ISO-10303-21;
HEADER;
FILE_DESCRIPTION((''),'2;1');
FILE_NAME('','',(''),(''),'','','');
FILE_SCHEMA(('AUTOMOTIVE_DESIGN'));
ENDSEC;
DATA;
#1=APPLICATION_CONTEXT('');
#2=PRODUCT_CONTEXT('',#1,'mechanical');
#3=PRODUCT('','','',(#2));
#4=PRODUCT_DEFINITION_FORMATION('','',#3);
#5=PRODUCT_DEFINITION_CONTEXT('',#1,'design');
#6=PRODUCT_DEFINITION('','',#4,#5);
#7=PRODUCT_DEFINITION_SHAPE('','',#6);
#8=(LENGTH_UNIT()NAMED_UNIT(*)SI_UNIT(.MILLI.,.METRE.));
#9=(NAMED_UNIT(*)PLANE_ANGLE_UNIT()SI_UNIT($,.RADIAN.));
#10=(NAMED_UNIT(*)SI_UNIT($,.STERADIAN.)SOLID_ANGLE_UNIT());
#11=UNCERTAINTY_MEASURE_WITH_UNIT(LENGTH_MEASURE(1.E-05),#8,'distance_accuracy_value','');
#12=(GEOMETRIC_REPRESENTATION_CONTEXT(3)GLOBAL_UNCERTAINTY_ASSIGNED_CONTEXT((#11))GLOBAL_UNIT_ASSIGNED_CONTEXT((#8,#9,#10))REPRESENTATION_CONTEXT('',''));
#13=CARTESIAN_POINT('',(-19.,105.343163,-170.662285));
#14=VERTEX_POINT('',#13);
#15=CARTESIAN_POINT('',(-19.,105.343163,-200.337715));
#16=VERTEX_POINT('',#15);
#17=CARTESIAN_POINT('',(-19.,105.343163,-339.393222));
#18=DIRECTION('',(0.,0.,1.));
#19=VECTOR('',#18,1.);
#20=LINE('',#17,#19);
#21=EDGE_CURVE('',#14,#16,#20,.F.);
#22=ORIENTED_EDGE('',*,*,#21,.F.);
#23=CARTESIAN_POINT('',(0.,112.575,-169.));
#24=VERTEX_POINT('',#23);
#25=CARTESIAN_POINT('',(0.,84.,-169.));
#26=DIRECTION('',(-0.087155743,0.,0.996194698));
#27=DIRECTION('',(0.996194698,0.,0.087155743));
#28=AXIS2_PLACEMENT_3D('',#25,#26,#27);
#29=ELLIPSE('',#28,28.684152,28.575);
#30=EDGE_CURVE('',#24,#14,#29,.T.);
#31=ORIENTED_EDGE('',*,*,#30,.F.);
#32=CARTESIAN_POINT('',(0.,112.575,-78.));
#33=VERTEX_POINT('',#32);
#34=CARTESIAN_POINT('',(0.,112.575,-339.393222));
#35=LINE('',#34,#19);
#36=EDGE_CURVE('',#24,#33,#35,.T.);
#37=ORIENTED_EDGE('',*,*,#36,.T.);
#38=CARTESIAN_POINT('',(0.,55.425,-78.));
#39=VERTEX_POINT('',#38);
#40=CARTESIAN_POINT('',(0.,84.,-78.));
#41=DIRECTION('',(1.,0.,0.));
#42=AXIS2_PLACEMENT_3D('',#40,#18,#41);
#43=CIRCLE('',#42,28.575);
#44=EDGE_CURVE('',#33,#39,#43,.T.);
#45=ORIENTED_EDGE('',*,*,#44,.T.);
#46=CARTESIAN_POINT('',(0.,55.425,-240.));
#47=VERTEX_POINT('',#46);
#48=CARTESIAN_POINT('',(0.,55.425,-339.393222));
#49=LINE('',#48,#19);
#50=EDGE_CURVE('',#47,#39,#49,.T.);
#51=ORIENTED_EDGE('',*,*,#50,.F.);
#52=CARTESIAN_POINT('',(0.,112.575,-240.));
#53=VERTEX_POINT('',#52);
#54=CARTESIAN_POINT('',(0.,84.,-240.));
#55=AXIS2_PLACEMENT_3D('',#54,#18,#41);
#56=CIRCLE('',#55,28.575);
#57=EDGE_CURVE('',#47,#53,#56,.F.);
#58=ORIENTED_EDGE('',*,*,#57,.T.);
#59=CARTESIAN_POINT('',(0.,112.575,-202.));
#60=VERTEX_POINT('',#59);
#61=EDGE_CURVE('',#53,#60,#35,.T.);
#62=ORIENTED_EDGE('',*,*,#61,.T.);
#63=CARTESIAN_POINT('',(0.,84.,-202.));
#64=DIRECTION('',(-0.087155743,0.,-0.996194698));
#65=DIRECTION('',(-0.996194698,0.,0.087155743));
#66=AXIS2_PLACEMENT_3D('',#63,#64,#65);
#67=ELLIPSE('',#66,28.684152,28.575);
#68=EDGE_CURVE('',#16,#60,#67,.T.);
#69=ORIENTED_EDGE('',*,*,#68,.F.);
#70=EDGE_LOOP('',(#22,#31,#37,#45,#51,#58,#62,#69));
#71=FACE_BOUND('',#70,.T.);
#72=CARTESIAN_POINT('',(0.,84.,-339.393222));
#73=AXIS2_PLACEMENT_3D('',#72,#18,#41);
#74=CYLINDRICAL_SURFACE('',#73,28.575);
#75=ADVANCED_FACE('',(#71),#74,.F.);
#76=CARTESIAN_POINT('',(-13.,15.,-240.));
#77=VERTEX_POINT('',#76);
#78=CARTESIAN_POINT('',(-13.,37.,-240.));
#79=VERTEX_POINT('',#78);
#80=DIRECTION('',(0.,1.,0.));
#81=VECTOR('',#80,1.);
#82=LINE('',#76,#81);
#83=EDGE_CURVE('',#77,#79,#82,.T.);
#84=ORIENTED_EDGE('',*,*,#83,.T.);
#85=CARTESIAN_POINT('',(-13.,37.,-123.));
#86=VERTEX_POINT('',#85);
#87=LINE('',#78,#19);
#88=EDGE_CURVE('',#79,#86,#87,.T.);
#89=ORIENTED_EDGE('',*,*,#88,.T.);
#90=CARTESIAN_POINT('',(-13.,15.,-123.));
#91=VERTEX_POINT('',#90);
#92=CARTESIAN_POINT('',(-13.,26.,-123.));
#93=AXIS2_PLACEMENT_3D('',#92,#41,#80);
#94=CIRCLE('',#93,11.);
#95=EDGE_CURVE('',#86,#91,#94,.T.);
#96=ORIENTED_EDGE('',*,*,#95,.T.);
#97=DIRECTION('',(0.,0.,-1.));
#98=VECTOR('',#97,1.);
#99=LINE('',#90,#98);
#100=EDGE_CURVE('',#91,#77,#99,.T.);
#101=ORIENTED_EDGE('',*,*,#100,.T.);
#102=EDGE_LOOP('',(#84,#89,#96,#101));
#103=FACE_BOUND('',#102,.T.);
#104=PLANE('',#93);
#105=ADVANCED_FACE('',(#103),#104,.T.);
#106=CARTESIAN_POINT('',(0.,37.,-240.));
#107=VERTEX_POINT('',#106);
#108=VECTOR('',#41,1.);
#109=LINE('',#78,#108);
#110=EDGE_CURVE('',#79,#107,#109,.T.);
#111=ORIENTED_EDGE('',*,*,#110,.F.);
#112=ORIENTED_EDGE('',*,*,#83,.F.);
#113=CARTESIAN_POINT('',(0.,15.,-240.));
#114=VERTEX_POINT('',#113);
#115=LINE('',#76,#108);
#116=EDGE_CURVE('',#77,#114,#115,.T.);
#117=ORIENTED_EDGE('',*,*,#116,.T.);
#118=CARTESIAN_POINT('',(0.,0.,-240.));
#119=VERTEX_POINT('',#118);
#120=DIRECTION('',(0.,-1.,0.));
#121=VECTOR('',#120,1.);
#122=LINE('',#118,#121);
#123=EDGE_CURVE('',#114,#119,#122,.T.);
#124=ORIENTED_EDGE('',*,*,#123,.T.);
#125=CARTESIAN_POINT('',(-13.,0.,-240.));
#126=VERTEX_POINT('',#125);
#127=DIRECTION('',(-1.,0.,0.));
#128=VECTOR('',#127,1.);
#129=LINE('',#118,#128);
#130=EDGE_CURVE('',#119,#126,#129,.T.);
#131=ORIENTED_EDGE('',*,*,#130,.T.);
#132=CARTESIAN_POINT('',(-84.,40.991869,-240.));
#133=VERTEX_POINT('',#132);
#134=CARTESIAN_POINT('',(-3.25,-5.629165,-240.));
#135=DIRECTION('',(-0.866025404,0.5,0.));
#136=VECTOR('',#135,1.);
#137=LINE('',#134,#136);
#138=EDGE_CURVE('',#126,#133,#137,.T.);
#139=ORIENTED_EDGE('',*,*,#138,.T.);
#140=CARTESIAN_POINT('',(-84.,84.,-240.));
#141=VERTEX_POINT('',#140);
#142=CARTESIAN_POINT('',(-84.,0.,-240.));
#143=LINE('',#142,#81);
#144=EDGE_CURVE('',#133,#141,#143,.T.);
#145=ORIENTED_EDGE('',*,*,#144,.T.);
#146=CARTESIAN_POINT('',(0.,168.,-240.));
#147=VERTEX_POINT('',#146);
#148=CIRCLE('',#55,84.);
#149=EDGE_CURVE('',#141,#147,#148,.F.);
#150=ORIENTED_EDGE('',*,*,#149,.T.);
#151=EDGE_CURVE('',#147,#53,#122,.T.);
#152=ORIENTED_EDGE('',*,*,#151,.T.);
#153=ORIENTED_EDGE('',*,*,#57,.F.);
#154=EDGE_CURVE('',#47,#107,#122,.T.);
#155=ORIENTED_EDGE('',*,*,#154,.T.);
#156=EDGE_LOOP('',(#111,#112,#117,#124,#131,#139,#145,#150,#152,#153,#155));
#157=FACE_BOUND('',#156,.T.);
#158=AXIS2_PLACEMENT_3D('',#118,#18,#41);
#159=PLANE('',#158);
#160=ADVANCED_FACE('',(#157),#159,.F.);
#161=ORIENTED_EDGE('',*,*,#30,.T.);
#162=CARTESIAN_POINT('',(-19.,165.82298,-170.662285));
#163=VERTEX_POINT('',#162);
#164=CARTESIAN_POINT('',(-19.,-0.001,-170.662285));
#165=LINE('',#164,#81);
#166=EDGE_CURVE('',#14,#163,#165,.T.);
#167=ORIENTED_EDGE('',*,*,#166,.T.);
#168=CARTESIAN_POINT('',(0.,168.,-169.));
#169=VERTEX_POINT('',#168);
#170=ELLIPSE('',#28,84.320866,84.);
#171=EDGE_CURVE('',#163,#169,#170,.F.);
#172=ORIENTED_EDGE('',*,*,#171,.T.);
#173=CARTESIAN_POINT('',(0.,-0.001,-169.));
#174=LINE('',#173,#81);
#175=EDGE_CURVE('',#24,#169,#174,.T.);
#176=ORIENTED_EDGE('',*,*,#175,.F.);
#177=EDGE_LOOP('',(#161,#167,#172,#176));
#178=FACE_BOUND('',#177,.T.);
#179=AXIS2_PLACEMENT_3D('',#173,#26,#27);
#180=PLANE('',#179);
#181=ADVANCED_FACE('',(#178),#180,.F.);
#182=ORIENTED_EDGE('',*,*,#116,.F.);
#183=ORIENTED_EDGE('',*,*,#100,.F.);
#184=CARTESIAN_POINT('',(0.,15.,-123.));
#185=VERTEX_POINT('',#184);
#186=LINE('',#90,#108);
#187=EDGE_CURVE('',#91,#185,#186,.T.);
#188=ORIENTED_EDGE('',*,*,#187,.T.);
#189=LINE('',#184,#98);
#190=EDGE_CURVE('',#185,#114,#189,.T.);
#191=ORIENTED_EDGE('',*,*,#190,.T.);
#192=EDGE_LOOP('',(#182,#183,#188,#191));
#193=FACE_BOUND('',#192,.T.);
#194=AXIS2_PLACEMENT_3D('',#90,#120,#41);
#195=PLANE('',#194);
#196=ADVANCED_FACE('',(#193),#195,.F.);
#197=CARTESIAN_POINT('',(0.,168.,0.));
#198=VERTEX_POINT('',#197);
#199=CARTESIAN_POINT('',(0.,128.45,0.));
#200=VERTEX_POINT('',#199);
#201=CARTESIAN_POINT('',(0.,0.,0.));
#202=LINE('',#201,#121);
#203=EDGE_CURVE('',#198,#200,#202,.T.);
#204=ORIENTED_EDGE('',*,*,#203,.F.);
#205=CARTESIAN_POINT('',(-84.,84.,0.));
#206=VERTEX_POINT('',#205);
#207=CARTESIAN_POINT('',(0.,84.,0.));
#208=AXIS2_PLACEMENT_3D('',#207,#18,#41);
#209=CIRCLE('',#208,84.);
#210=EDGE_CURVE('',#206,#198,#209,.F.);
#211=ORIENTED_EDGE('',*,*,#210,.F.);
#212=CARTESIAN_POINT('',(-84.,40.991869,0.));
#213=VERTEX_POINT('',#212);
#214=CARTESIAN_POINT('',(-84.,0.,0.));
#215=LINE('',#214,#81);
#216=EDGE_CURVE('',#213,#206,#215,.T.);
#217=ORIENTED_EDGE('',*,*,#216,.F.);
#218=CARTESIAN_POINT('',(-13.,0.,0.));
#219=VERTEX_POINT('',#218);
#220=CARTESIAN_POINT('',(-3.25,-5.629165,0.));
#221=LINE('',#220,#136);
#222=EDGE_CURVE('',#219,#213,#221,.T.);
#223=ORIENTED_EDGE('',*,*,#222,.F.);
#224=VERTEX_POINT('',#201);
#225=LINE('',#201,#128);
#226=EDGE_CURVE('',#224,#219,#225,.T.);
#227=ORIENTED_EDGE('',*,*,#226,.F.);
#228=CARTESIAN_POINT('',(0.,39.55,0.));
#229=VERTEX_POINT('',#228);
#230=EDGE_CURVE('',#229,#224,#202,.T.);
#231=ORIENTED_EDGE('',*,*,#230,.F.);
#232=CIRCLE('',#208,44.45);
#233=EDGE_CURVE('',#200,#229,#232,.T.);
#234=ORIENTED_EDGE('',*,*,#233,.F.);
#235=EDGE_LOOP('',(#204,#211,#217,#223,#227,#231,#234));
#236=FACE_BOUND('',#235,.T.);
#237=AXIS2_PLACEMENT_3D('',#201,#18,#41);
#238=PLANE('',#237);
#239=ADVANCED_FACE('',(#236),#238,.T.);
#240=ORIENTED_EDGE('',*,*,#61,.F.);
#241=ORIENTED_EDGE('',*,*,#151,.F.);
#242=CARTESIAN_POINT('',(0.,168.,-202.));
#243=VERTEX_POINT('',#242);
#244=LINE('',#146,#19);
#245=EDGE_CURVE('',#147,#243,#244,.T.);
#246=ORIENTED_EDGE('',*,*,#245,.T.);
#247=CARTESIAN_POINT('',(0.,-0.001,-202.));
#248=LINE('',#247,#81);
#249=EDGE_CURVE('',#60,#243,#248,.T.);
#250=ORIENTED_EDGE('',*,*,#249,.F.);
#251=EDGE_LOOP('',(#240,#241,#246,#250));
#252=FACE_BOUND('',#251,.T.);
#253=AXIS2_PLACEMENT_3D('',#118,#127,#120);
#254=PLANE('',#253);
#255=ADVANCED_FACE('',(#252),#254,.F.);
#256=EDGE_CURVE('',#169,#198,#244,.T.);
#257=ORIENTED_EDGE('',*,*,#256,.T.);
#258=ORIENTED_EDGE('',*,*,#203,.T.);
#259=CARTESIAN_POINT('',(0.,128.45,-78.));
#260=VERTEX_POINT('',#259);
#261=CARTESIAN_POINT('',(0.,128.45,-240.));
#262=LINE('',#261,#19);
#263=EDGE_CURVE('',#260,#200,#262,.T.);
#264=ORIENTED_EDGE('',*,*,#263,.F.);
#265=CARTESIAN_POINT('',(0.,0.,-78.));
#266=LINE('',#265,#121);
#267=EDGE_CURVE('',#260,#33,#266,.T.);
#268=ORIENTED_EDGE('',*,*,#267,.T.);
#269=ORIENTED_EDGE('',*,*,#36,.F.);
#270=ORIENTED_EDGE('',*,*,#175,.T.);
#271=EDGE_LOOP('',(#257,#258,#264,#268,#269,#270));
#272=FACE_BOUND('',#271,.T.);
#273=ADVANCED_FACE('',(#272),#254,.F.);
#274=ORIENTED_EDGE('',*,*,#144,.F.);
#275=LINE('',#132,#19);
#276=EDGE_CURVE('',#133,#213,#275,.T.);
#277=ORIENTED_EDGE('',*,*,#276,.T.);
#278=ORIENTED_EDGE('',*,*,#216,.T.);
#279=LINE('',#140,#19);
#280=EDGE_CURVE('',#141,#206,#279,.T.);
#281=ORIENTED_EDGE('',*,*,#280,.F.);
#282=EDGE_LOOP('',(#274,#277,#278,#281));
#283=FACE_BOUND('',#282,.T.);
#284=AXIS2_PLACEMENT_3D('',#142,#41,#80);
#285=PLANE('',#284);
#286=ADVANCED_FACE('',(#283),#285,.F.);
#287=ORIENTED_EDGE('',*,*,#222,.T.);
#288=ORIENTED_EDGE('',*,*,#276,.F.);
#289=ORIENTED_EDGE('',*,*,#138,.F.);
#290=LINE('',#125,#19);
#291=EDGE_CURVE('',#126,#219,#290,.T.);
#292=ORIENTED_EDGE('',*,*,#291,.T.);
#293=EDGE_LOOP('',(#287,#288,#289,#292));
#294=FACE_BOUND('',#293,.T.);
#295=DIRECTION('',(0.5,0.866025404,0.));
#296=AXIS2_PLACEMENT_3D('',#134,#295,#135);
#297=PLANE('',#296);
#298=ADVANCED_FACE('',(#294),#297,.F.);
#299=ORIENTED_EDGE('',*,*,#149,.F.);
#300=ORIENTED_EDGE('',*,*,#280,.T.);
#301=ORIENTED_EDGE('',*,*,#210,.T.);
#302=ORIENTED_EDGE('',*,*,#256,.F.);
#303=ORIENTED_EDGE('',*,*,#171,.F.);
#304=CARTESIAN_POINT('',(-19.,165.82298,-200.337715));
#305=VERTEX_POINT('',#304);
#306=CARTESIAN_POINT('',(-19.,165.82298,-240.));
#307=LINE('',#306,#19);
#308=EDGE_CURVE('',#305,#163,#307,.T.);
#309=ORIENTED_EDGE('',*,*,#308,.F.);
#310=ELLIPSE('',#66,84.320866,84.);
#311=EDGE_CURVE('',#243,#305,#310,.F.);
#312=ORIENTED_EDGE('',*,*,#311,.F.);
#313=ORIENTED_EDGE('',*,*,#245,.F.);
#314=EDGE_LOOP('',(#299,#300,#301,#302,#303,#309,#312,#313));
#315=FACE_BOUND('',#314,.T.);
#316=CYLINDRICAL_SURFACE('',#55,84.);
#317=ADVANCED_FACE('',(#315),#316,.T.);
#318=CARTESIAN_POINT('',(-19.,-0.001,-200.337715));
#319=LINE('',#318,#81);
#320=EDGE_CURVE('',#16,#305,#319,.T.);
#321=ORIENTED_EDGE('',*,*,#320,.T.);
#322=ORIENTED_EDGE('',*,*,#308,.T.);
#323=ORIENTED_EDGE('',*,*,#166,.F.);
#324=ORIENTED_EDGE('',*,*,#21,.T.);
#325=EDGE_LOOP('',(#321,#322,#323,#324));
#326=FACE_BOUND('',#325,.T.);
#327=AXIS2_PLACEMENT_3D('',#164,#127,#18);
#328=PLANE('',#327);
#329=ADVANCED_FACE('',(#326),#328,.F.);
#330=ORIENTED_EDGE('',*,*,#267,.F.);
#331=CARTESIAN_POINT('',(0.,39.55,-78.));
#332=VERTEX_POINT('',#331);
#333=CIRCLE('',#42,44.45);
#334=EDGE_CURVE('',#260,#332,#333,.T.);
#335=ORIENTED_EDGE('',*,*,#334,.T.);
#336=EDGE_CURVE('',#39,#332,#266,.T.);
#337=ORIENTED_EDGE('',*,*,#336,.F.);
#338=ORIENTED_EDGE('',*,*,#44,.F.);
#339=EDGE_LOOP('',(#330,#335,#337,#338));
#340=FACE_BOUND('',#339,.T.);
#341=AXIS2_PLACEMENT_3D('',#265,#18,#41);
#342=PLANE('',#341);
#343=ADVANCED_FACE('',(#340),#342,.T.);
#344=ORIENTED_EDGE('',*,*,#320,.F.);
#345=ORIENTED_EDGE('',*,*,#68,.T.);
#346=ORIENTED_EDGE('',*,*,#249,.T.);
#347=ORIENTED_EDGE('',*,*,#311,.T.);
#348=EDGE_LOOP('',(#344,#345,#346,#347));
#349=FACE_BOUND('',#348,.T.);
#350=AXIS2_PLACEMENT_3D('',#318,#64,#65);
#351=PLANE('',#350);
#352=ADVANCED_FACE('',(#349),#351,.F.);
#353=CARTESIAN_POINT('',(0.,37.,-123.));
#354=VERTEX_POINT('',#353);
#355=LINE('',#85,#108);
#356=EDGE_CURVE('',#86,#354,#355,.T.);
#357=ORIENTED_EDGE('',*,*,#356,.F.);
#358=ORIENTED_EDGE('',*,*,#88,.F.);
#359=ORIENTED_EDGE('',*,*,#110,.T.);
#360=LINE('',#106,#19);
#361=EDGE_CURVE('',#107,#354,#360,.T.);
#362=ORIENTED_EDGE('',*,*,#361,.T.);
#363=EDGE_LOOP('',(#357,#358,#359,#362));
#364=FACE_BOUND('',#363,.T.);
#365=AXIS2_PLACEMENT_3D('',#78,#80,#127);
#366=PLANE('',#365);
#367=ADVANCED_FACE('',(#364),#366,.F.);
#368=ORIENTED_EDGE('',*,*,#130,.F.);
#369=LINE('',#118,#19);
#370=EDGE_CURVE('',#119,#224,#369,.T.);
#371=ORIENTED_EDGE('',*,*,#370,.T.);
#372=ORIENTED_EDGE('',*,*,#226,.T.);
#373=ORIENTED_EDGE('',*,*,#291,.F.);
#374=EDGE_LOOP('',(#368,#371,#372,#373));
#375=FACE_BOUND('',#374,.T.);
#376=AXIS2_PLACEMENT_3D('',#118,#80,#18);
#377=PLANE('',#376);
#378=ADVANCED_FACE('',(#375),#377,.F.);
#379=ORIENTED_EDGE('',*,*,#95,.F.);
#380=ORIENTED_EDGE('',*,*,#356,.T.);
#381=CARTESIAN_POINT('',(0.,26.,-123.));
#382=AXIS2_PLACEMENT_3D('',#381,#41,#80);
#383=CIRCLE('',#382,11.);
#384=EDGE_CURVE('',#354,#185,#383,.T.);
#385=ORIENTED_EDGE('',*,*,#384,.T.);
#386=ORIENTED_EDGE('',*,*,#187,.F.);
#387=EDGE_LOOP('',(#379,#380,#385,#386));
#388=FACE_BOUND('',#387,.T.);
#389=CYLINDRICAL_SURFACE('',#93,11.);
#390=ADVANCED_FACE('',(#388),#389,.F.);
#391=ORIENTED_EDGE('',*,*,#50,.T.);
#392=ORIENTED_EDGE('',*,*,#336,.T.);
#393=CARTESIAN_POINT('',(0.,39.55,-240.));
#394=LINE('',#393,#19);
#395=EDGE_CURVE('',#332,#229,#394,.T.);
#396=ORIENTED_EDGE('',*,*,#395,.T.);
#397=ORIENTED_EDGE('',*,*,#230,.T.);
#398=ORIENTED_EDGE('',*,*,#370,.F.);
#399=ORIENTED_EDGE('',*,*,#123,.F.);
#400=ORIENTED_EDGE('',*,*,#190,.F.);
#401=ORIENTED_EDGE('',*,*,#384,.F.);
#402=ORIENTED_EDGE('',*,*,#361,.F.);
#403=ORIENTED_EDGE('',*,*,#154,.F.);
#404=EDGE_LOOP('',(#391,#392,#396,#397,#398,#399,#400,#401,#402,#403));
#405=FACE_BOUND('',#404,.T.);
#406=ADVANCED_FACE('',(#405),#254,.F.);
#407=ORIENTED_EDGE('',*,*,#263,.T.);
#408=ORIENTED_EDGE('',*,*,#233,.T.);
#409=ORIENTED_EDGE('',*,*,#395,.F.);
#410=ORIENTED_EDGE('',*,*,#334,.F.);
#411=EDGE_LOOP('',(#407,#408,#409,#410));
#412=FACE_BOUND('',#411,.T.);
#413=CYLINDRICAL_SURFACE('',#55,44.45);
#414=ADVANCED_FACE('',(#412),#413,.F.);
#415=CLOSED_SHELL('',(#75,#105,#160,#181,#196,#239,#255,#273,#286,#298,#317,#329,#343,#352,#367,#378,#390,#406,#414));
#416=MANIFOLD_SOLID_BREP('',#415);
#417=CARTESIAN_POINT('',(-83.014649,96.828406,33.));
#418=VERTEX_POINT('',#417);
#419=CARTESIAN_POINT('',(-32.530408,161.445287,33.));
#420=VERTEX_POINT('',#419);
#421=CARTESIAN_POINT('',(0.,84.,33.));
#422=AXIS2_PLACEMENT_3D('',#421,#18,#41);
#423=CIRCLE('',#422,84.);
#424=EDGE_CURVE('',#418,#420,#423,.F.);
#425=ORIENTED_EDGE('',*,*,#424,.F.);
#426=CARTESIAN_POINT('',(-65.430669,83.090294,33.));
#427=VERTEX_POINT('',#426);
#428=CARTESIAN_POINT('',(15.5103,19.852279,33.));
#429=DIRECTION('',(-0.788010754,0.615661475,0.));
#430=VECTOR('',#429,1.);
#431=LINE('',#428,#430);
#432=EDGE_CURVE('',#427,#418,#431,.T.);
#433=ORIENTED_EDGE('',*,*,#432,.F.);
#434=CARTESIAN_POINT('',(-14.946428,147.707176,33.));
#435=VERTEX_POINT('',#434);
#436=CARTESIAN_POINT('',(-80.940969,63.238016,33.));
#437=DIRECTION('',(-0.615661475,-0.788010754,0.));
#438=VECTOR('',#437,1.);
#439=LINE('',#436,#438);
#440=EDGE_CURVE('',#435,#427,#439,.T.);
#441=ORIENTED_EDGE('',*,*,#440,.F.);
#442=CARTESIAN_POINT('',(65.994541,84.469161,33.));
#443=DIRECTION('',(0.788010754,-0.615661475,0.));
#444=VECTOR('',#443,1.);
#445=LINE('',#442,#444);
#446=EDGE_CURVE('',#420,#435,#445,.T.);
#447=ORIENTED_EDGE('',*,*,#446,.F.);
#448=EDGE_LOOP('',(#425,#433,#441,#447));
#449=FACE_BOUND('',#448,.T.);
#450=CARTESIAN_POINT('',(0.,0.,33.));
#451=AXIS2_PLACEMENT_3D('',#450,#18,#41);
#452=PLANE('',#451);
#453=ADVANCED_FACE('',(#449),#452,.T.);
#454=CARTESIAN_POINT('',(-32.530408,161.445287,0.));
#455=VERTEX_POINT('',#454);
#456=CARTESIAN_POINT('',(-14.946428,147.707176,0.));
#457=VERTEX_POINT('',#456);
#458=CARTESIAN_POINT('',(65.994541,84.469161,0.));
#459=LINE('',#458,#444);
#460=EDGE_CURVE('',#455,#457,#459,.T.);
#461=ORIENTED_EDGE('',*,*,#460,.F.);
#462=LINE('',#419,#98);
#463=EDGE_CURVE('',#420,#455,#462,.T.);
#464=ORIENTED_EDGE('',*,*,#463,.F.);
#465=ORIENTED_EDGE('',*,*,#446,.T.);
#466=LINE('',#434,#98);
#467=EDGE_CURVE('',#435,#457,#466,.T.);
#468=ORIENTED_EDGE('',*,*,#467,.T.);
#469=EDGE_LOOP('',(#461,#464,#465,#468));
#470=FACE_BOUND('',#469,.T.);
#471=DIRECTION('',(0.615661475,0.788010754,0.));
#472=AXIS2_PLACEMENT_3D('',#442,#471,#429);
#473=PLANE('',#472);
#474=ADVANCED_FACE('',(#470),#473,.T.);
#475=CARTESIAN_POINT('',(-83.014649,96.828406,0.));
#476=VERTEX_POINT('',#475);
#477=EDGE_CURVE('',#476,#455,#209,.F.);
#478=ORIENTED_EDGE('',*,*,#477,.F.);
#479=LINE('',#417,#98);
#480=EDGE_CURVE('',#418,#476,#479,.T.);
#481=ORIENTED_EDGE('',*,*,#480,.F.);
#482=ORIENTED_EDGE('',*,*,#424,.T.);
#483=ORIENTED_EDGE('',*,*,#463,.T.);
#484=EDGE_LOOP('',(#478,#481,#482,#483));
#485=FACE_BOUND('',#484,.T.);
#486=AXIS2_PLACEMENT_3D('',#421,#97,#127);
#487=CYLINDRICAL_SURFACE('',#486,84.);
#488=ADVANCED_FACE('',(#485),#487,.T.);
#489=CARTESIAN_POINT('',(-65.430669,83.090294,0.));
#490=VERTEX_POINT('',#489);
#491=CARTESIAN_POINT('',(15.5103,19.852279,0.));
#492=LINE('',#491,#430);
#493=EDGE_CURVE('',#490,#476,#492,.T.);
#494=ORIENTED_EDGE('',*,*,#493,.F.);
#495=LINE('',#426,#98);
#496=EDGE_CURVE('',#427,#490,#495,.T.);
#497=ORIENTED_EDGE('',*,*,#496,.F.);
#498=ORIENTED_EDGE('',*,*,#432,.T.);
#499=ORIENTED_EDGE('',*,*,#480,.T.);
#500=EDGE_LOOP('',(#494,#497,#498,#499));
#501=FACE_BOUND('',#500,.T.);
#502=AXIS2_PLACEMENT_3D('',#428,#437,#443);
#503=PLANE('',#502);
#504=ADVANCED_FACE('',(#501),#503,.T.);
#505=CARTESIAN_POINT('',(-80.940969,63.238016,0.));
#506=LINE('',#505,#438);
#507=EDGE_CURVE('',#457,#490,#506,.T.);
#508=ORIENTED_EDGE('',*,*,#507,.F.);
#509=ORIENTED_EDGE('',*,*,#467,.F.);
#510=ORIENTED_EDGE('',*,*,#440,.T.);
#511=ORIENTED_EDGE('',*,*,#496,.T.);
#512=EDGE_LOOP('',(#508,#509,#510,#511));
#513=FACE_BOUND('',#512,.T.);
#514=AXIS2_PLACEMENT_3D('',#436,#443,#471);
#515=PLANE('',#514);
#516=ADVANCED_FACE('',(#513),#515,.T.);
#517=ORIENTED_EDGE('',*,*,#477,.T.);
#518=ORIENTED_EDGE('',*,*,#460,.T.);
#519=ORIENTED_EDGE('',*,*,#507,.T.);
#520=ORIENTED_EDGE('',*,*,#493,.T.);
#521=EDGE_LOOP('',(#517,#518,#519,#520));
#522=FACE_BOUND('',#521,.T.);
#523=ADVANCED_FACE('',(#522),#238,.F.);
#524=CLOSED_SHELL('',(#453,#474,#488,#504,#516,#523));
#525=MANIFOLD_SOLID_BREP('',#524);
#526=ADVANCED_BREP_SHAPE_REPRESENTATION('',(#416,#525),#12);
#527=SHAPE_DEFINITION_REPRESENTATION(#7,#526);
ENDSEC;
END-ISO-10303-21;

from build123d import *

# Parameters (mm, degrees)
BOSS_EXTRUDE1_DEPTH = 33
BOSS_EXTRUDE2_DEPTH = 240
BOSS_EXTRUDE3_START = -78
BOSS_EXTRUDE3_DEPTH = 162
CUT_EXTRUDE1_DEPTH  = 13
CUT_EXTRUDE2_START  = -62.656837
CUT_EXTRUDE2_DEPTH  = 62.656837


with BuildPart() as part:
    # Sketch1 → Boss-Extrude1 (new body)
    with BuildSketch(Plane.XY):
        with BuildLine():
            ThreePointArc((-32.530408402, 161.445287327), (-66.192903303, 135.715563927), (-83.014649379, 96.828405531))
            Line((-83.014649379, 96.828405531), (-65.430668922, 83.090294344))
            Line((-65.430668922, 83.090294344), (-14.946427946, 147.707176139))
            Line((-14.946427946, 147.707176139), (-32.530408402, 161.445287327))
        make_face()
    extrude(amount=BOSS_EXTRUDE1_DEPTH)


with BuildPart() as body_2:
    # Sketch1<4> → Boss-Extrude2 (new body)
    with BuildSketch(Plane.XY):
        with BuildLine():
            Line((-13, 0), (0, 0))
            Line((0, 0), (0, 39.55))
            ThreePointArc((0, 39.55), (-44.45, 84), (0, 128.45))
            Line((0, 128.45), (0, 168))
            ThreePointArc((0, 168), (-59.39696962, 143.39696962), (-84, 84))
            Line((-84, 84), (-84, 40.991869112))
            Line((-84, 40.991869112), (-13, 0))
        make_face()
    extrude(amount=-BOSS_EXTRUDE2_DEPTH)

    # Sketch1<5> → Boss-Extrude3 (add)
    with BuildSketch(Plane.XY.offset(BOSS_EXTRUDE3_START)):
        with BuildLine():
            Line((0, 0), (-13, 0))
            Line((-13, 0), (-84, 40.991869112))
            Line((-84, 40.991869112), (-84, 84))
            ThreePointArc((-84, 84), (-59.39696962, 143.39696962), (0, 168))
            Line((0, 168), (0, 112.575))
            ThreePointArc((0, 112.575), (-28.575, 84), (0, 55.425))
            Line((0, 55.425), (0, 0))
        make_face()
    extrude(amount=-BOSS_EXTRUDE3_DEPTH)

    # Sketch2 → Cut-Extrude1 (cut)
    with BuildSketch(Plane(origin=(0, 0, 0), x_dir=(0, 0, -1), z_dir=(1, 0, 0))):
        with BuildLine():
            Line((240, 37), (123, 37))
            ThreePointArc((123, 37), (112, 26), (123, 15))
            Line((123, 15), (240, 15))
            Line((240, 15), (240, 37))
        make_face()
    extrude(amount=-CUT_EXTRUDE1_DEPTH, mode=Mode.SUBTRACT)

    # Sketch3 → Cut-Extrude2 (cut)
    with BuildSketch(Plane(origin=(0, 168, 0), x_dir=(1, 0, 0), z_dir=(0, 1, 0)).offset(CUT_EXTRUDE2_START)):
        Polygon((0, 169), (-19, 170.662284607), (-19, 200.337715393), (0, 202), align=None)
    extrude(amount=CUT_EXTRUDE2_DEPTH, mode=Mode.SUBTRACT)


solid = Compound([part.part, body_2.part])
